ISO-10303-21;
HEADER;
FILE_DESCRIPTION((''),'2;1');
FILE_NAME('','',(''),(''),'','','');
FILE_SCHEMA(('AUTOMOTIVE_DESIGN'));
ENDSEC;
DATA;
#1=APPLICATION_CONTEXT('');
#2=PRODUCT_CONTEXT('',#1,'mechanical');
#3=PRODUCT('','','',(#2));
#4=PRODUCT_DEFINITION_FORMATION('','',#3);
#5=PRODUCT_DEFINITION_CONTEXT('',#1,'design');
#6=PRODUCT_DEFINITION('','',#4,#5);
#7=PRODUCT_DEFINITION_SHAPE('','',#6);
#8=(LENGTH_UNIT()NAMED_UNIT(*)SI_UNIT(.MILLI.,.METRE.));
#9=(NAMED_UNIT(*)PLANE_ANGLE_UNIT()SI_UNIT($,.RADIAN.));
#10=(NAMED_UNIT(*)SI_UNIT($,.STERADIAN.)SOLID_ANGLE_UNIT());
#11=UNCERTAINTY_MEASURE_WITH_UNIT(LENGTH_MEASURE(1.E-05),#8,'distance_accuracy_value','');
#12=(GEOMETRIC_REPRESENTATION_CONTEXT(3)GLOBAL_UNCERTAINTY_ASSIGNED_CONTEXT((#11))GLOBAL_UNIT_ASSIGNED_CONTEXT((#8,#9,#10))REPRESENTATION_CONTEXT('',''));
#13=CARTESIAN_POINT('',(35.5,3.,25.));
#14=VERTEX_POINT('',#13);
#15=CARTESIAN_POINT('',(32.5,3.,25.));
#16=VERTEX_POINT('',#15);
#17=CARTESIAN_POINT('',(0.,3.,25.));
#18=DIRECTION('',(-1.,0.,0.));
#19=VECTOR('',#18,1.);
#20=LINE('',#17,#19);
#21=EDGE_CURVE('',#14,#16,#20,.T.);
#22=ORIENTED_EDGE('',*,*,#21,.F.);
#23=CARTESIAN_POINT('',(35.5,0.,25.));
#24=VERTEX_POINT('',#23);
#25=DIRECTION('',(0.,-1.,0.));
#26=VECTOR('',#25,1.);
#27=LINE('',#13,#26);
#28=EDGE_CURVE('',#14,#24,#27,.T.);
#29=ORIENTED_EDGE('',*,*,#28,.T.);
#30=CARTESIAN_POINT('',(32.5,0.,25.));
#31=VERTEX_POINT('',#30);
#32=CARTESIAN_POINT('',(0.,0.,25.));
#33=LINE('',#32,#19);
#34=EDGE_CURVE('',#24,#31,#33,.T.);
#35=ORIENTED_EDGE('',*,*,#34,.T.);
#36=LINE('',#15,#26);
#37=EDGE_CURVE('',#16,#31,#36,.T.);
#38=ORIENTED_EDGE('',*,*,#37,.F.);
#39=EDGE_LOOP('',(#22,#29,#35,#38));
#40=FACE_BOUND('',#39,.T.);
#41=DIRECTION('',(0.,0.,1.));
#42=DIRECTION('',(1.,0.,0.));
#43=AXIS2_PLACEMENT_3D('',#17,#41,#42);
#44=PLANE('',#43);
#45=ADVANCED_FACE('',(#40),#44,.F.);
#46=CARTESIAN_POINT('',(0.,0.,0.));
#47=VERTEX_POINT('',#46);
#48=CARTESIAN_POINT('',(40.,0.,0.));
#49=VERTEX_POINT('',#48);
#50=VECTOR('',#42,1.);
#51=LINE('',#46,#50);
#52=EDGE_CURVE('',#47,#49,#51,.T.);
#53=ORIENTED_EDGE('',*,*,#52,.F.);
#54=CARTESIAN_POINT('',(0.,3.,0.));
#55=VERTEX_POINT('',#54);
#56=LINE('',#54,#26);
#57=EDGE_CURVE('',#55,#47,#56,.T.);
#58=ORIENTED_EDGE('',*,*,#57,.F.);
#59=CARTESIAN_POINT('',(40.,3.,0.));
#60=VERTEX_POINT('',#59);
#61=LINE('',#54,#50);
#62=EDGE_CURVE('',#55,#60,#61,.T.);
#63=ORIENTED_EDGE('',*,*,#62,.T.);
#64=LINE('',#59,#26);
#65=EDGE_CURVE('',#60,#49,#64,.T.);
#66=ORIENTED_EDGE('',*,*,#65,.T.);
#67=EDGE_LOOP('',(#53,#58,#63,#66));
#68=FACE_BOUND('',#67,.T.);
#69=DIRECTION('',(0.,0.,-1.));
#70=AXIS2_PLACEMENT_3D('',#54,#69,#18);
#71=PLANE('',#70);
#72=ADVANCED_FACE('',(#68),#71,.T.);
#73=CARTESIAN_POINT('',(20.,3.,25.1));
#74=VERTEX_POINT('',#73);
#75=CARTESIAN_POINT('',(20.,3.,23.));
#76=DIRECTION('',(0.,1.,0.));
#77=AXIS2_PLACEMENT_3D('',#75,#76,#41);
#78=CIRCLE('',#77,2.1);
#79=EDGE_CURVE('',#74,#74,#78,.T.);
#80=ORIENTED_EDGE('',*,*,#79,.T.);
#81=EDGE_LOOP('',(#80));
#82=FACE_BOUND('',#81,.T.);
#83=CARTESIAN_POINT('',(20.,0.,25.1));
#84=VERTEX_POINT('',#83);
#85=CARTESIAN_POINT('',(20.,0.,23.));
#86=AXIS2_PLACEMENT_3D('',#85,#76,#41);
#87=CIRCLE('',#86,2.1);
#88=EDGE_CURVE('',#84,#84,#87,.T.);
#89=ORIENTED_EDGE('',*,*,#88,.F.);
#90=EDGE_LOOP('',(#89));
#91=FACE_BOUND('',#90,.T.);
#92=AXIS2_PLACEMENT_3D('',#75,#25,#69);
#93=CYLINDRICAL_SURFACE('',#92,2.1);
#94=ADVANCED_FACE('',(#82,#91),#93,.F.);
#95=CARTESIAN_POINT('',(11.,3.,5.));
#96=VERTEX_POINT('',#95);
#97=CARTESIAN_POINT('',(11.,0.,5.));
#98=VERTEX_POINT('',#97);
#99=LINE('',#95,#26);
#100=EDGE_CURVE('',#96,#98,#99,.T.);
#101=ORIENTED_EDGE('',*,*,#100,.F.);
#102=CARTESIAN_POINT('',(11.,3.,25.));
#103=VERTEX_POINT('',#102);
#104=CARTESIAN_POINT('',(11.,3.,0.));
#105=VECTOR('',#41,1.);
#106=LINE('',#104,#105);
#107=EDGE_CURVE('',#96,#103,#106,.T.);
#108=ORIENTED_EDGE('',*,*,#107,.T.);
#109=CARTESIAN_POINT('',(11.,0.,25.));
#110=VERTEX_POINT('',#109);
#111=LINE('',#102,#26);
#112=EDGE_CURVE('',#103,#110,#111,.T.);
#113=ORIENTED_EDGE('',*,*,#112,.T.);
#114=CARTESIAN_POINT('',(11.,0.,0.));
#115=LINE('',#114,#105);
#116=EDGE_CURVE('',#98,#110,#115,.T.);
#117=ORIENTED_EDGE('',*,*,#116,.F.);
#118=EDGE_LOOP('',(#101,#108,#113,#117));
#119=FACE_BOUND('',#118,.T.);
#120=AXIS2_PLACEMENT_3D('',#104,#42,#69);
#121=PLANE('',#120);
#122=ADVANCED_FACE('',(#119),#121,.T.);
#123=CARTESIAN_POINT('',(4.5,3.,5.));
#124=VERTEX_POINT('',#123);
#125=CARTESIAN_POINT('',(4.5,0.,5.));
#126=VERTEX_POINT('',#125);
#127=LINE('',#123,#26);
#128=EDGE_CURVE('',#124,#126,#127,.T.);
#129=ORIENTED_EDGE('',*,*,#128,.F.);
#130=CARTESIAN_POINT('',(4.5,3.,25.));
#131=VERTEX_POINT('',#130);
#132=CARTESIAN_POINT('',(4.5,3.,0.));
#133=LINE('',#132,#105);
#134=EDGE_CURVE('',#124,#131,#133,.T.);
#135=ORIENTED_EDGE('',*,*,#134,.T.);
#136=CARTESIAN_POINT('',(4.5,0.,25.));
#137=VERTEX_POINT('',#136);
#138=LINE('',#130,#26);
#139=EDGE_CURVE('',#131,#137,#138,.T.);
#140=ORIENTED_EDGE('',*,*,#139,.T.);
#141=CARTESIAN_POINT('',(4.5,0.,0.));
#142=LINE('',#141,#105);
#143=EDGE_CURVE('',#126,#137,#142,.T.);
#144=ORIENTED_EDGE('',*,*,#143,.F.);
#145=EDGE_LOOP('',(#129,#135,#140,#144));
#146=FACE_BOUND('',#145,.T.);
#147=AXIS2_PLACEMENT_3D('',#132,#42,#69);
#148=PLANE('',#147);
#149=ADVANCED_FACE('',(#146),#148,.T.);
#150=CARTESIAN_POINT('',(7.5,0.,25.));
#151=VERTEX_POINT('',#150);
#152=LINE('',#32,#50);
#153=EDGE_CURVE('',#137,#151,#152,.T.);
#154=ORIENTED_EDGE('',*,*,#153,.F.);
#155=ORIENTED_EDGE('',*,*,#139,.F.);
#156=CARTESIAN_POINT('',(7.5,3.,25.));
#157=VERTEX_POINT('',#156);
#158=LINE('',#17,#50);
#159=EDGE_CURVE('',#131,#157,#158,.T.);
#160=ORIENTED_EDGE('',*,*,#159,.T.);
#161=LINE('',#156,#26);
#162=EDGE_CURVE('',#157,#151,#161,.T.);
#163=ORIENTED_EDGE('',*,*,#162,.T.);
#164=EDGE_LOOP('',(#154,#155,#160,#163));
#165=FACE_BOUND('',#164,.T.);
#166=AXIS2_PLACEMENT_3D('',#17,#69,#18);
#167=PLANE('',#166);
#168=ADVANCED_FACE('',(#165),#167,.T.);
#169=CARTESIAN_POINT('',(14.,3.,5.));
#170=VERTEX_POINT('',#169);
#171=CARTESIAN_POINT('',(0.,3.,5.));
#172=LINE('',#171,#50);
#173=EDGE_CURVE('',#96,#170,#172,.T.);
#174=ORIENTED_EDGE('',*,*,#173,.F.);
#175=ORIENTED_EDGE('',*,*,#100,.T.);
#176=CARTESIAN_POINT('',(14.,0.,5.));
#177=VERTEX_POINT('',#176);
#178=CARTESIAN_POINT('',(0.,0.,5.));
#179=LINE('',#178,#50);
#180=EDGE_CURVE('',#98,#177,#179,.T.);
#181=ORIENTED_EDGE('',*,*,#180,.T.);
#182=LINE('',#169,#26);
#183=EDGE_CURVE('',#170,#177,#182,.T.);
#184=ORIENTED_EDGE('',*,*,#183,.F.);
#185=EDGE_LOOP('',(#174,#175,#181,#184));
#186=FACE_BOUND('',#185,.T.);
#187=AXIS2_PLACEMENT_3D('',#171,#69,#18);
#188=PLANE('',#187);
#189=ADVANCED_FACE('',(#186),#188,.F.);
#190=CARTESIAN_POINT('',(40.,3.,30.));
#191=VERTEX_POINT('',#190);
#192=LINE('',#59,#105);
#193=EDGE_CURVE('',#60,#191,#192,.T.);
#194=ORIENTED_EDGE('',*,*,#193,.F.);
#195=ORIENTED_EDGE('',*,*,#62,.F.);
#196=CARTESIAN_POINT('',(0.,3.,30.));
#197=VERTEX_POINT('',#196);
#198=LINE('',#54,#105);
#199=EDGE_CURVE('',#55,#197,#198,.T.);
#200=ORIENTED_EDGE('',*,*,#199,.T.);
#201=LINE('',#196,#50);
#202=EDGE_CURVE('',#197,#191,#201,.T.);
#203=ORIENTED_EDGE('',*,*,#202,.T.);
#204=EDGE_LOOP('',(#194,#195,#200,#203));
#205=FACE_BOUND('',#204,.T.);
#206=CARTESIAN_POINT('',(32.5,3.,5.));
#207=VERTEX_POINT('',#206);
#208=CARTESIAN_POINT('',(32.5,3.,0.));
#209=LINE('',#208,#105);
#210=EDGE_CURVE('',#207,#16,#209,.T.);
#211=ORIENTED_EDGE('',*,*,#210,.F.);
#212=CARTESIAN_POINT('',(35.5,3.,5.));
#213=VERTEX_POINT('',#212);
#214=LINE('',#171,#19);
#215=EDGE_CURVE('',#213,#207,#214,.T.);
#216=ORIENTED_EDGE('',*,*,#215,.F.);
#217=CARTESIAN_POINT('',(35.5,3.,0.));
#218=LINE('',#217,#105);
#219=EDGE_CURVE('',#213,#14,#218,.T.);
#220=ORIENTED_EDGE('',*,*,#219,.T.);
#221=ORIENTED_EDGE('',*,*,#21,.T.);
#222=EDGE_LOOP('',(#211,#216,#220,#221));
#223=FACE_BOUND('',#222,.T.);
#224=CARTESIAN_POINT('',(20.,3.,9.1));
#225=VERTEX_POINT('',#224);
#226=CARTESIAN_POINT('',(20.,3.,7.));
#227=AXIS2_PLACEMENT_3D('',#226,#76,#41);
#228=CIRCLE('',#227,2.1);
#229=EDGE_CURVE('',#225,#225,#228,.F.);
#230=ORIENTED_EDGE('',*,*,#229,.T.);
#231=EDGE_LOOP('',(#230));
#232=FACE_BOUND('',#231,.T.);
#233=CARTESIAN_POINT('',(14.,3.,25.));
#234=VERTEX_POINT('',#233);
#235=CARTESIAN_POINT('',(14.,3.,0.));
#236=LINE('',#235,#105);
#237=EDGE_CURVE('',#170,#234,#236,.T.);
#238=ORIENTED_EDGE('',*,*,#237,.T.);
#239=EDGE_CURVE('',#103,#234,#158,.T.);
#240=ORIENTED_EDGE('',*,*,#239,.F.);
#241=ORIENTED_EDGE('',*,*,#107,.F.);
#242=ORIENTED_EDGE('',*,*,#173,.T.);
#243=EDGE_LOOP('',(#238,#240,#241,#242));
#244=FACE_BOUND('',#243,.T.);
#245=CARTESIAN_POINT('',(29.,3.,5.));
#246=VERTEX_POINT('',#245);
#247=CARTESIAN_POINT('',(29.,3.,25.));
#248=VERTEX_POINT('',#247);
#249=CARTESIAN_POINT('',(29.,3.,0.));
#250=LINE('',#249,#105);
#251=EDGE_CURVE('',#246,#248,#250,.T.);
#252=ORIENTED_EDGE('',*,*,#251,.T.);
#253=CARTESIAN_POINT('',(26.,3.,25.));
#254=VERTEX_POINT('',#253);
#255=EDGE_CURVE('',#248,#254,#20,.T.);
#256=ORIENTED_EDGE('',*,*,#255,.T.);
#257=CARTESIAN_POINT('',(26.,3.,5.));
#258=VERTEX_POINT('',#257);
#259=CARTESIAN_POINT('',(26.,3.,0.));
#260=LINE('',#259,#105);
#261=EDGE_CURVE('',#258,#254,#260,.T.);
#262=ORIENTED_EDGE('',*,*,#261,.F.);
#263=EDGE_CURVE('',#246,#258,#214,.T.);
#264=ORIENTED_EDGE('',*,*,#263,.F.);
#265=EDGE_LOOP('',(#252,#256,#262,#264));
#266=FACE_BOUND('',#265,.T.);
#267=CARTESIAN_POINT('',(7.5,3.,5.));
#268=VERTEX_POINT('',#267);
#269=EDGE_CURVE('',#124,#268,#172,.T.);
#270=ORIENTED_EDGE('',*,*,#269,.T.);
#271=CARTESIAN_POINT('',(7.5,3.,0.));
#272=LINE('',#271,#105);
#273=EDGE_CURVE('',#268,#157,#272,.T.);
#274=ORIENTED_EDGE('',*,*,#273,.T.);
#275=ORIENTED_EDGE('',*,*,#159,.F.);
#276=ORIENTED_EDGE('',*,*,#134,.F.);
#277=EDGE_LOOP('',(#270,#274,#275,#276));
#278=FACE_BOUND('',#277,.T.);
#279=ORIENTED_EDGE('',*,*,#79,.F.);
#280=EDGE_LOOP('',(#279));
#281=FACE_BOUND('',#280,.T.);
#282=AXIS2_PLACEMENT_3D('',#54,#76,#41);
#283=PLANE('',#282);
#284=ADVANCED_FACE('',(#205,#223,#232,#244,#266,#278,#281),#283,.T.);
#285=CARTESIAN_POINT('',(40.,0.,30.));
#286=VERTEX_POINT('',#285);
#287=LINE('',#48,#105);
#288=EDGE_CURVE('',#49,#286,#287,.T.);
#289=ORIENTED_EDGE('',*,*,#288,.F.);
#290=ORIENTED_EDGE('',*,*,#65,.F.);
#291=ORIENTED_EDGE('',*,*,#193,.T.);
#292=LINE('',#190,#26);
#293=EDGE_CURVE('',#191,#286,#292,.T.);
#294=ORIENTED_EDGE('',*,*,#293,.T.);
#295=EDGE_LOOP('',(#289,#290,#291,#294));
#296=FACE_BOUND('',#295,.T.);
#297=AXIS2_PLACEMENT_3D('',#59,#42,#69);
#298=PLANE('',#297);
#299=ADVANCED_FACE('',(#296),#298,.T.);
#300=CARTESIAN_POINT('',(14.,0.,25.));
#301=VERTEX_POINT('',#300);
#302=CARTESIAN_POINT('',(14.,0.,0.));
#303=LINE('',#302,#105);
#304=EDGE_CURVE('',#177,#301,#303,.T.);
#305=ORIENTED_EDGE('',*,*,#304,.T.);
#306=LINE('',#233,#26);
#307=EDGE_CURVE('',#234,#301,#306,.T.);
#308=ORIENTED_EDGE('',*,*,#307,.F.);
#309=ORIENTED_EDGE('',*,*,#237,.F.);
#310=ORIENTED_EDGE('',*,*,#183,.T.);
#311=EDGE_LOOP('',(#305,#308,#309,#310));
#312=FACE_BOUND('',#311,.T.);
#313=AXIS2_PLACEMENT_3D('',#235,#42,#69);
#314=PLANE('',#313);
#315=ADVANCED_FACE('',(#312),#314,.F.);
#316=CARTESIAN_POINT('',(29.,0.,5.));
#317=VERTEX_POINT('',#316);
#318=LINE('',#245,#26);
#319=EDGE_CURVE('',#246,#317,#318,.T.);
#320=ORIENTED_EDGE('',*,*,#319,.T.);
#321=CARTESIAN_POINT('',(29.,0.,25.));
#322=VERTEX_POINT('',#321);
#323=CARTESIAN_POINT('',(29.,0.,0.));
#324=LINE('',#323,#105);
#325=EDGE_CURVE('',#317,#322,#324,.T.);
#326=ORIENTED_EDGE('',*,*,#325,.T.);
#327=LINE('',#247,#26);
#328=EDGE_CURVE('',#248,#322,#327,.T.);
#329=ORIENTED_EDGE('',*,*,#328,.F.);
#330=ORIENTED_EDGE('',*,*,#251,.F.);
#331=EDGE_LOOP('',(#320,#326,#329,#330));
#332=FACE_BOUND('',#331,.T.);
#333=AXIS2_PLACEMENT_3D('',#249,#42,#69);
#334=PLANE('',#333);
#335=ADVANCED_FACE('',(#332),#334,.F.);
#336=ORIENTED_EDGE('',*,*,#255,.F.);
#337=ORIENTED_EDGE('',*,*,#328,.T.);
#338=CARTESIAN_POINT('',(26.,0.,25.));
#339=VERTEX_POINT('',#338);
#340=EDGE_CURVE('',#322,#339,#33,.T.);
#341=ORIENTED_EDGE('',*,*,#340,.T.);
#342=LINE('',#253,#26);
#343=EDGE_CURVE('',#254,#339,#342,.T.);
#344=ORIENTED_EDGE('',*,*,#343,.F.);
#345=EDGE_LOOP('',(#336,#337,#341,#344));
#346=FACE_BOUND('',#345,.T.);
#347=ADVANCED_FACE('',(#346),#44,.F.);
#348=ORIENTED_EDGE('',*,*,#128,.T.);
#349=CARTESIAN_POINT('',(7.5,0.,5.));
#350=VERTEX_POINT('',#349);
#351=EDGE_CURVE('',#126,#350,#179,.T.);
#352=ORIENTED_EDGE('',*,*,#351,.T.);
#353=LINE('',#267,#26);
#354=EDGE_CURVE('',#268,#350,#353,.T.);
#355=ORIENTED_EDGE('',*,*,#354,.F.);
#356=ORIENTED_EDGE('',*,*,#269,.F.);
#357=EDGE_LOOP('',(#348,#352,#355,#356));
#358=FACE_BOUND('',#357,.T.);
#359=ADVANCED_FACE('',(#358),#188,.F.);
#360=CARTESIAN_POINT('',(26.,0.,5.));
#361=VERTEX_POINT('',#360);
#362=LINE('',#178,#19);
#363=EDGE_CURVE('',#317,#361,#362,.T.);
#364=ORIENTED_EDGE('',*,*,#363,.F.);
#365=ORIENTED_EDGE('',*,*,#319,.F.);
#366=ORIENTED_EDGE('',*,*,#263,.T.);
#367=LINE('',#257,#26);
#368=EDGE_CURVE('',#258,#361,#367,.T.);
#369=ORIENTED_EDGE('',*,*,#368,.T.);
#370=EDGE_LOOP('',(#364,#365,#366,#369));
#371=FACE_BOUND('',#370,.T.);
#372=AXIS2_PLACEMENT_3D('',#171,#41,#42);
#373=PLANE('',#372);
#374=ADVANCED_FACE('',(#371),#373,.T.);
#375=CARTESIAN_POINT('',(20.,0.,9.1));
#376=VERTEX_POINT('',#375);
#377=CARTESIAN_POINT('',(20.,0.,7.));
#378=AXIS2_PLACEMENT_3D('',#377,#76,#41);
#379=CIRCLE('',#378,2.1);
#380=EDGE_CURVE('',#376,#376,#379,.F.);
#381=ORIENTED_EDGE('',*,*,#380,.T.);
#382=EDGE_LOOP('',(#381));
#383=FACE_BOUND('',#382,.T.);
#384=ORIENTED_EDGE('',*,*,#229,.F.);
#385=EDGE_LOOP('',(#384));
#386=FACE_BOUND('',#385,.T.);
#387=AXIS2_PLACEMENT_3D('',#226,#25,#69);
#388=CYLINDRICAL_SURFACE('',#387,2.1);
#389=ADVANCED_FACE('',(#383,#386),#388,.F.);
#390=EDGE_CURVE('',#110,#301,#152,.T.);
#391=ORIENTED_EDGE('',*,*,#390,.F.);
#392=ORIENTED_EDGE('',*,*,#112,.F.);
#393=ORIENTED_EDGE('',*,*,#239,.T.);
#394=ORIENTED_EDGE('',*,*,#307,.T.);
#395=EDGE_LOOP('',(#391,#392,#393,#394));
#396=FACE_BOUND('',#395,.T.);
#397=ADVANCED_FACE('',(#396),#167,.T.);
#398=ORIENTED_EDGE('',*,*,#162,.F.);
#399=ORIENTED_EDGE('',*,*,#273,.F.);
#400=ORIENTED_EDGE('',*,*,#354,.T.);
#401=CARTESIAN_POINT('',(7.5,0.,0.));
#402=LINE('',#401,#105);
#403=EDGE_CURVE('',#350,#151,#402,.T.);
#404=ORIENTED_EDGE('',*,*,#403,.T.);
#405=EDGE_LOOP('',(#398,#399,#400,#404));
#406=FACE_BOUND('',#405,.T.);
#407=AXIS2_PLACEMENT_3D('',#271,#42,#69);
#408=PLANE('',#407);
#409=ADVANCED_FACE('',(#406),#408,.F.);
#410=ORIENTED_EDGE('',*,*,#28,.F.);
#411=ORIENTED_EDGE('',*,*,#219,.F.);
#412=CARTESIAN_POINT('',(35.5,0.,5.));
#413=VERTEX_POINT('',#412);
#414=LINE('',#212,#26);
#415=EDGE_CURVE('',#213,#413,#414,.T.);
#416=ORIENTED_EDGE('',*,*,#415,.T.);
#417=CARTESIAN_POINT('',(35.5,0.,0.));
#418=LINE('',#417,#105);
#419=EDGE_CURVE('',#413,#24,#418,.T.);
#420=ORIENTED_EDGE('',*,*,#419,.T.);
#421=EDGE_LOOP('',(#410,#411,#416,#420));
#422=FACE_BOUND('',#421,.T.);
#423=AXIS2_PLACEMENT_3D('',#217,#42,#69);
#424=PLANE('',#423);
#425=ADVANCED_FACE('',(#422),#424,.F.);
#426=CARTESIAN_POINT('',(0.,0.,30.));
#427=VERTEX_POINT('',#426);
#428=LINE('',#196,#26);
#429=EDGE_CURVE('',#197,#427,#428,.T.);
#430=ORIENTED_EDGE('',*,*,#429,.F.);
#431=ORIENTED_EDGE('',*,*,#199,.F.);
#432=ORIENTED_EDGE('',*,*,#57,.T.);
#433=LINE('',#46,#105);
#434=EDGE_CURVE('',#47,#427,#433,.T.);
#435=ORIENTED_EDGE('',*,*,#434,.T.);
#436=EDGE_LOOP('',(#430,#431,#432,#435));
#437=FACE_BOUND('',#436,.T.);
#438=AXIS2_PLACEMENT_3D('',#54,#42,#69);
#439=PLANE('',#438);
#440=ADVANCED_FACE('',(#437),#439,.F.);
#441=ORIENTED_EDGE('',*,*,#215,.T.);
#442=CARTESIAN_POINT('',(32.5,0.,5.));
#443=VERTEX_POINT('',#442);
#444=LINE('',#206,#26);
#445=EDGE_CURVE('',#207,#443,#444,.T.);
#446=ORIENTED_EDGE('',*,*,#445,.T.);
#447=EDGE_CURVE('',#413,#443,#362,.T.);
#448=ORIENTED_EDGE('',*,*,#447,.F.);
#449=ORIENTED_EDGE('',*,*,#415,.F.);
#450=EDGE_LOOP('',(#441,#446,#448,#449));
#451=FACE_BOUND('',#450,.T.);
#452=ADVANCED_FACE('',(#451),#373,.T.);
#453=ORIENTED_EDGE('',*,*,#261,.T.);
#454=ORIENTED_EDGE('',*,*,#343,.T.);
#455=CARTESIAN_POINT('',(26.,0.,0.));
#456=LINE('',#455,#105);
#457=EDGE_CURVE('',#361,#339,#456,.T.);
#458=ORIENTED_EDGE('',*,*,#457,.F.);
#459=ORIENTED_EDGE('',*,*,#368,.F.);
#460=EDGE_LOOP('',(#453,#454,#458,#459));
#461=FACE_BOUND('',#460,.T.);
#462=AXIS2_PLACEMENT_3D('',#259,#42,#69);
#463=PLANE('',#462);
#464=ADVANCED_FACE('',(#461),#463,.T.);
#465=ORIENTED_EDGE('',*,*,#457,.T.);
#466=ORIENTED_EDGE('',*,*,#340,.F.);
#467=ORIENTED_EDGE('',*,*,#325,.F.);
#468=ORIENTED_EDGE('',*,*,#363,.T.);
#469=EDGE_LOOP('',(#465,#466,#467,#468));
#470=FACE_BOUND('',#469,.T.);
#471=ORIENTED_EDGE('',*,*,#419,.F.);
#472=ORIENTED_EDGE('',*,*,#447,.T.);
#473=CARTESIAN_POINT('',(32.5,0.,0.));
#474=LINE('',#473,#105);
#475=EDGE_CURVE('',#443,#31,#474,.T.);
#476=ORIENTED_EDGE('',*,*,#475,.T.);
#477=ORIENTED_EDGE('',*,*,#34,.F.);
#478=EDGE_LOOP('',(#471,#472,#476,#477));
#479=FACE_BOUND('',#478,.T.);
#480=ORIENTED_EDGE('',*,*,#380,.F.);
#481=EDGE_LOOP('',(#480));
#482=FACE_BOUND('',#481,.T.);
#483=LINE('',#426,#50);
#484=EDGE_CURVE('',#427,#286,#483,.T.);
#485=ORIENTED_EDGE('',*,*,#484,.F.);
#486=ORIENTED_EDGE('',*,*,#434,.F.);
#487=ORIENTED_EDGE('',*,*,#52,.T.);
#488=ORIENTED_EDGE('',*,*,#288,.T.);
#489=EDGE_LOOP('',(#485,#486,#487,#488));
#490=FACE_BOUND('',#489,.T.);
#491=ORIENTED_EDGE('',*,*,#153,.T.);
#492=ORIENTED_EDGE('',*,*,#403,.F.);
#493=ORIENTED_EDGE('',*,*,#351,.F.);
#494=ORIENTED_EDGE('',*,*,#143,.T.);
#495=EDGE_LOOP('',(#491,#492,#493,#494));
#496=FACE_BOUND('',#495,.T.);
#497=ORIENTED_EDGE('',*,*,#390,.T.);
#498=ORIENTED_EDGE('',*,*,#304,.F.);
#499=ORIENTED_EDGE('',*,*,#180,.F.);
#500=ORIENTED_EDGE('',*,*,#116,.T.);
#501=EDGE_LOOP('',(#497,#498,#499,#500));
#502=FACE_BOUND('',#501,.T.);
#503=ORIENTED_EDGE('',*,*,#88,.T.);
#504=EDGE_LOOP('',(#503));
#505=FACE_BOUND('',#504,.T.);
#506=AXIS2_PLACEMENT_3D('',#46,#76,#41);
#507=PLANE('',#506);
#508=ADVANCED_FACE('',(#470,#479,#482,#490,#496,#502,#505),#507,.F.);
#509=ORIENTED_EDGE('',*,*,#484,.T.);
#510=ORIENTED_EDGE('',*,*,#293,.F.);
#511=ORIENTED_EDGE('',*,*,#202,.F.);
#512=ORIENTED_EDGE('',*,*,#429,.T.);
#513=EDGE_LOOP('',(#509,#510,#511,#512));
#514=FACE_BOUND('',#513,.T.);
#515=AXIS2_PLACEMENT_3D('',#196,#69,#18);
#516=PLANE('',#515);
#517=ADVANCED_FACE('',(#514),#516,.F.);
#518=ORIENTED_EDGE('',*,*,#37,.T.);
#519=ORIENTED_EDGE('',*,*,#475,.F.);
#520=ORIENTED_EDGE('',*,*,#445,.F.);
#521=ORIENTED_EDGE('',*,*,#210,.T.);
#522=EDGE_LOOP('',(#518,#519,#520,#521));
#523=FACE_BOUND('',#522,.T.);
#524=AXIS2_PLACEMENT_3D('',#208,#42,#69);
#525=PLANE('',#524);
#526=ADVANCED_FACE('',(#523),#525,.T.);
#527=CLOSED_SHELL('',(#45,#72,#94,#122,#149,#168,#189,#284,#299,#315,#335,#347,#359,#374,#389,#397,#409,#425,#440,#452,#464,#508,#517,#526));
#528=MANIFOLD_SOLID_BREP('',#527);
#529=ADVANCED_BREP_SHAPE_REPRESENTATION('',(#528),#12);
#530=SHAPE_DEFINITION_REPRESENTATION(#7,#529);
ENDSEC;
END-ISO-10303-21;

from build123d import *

# Parameters (mm, degrees)
SKETCH_1_W      = 40
SKETCH_1_H      = 30
SKETCH_1_R      = 2.1
SKETCH_1_W_2    = 3
SKETCH_1_H_2    = 20
EXTRUDE_1_DEPTH = 3


with BuildPart() as part:
    # 草图1 → 凸台-拉伸1 (new body)
    with BuildSketch(Plane(origin=(0, 0, 0), x_dir=(1, 0, 0), z_dir=(0, 1, 0))):
        with Locations((20, -15)):
            Rectangle(SKETCH_1_W, SKETCH_1_H)
        with Locations(Location((20, -23, 0), (0, 0, 270))):
            Circle(SKETCH_1_R, mode=Mode.SUBTRACT)
        with Locations(Location((20, -7, 0), (0, 0, 270))):
            Circle(SKETCH_1_R, mode=Mode.SUBTRACT)
        with Locations((6, -15)):
            Rectangle(SKETCH_1_W_2, SKETCH_1_H_2, mode=Mode.SUBTRACT)
        with Locations((34, -15)):
            Rectangle(SKETCH_1_W_2, SKETCH_1_H_2, mode=Mode.SUBTRACT)
        with Locations((27.5, -15)):
            Rectangle(SKETCH_1_W_2, SKETCH_1_H_2, mode=Mode.SUBTRACT)
        with Locations((12.5, -15)):
            Rectangle(SKETCH_1_W_2, SKETCH_1_H_2, mode=Mode.SUBTRACT)
    extrude(amount=EXTRUDE_1_DEPTH)


solid = part.part
